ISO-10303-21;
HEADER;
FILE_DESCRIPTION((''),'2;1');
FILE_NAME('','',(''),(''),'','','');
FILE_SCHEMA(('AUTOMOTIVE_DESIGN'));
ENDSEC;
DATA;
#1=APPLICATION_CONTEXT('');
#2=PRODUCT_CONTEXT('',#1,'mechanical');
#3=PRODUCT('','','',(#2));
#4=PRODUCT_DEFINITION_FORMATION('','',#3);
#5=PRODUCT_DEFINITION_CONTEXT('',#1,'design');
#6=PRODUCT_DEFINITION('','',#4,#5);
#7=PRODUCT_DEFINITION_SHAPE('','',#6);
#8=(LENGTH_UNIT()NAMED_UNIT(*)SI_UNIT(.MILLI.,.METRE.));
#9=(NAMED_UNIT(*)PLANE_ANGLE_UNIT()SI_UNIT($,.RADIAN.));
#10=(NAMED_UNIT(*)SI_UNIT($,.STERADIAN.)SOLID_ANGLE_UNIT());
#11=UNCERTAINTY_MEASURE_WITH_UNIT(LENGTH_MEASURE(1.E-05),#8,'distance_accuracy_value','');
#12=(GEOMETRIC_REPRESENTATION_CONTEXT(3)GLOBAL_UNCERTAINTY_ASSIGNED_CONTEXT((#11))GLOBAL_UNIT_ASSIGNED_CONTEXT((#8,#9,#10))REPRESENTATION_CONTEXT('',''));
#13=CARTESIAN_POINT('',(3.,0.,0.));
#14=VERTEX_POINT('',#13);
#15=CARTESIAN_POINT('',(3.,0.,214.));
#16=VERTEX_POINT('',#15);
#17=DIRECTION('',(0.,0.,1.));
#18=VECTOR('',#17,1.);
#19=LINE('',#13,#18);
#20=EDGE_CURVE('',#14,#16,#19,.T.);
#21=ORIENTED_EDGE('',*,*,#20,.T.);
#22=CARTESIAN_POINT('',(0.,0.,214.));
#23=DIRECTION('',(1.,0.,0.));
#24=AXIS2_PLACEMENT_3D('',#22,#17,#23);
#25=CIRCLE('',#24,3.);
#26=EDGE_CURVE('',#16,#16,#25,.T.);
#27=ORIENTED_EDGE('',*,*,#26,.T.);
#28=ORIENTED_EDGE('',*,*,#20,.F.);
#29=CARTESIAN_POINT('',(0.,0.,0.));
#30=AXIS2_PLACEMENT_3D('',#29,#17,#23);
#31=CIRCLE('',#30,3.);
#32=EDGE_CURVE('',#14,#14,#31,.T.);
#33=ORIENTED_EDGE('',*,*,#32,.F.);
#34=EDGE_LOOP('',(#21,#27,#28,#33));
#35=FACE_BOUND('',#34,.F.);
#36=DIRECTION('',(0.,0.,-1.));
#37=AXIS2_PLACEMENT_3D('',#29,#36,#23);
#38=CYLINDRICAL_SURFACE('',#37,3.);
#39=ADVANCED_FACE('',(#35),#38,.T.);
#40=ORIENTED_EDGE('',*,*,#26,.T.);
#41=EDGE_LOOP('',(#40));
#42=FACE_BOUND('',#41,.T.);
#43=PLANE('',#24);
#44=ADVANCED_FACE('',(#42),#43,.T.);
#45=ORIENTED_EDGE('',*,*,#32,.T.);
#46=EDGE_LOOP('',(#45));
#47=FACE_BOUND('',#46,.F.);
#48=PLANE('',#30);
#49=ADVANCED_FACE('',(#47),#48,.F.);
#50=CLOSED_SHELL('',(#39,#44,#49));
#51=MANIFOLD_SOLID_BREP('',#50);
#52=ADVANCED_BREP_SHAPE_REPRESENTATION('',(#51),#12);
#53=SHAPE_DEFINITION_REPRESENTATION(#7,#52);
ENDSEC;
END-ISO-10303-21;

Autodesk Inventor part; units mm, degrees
ref_plane "YZ Plane" through (0, 0, 0) normal (1, 0, 0) x (0, 1, 0)
ref_plane "XZ Plane" through (0, 0, 0) normal (0, 1, 0) x (-1, 0, 0)
ref_plane "XY Plane" through (0, 0, 0) normal (0, 0, 1) x (1, 0, 0)
sketch "Эскиз1" plane through (0, 0, 0) normal (0, 0, 1) x (1, 0, 0)
  circle A0 centre (0, 0) radius 3
  dimension "d0" = 6
extrude "Выдавливание1" add sketch "Эскиз1" along normal blind 214
ref_plane "РабПлоскость1" through (0, 0, 164) normal (0, 0, 1) x (1, 0, 0)
sketch "Эскиз2" plane through (0, 0, 164) normal (0, 0, 1) x (1, 0, 0)
  circle A0 centre (0, 0) radius 25
  dimension "d4" = 50
properties part number "резинки сосало"
